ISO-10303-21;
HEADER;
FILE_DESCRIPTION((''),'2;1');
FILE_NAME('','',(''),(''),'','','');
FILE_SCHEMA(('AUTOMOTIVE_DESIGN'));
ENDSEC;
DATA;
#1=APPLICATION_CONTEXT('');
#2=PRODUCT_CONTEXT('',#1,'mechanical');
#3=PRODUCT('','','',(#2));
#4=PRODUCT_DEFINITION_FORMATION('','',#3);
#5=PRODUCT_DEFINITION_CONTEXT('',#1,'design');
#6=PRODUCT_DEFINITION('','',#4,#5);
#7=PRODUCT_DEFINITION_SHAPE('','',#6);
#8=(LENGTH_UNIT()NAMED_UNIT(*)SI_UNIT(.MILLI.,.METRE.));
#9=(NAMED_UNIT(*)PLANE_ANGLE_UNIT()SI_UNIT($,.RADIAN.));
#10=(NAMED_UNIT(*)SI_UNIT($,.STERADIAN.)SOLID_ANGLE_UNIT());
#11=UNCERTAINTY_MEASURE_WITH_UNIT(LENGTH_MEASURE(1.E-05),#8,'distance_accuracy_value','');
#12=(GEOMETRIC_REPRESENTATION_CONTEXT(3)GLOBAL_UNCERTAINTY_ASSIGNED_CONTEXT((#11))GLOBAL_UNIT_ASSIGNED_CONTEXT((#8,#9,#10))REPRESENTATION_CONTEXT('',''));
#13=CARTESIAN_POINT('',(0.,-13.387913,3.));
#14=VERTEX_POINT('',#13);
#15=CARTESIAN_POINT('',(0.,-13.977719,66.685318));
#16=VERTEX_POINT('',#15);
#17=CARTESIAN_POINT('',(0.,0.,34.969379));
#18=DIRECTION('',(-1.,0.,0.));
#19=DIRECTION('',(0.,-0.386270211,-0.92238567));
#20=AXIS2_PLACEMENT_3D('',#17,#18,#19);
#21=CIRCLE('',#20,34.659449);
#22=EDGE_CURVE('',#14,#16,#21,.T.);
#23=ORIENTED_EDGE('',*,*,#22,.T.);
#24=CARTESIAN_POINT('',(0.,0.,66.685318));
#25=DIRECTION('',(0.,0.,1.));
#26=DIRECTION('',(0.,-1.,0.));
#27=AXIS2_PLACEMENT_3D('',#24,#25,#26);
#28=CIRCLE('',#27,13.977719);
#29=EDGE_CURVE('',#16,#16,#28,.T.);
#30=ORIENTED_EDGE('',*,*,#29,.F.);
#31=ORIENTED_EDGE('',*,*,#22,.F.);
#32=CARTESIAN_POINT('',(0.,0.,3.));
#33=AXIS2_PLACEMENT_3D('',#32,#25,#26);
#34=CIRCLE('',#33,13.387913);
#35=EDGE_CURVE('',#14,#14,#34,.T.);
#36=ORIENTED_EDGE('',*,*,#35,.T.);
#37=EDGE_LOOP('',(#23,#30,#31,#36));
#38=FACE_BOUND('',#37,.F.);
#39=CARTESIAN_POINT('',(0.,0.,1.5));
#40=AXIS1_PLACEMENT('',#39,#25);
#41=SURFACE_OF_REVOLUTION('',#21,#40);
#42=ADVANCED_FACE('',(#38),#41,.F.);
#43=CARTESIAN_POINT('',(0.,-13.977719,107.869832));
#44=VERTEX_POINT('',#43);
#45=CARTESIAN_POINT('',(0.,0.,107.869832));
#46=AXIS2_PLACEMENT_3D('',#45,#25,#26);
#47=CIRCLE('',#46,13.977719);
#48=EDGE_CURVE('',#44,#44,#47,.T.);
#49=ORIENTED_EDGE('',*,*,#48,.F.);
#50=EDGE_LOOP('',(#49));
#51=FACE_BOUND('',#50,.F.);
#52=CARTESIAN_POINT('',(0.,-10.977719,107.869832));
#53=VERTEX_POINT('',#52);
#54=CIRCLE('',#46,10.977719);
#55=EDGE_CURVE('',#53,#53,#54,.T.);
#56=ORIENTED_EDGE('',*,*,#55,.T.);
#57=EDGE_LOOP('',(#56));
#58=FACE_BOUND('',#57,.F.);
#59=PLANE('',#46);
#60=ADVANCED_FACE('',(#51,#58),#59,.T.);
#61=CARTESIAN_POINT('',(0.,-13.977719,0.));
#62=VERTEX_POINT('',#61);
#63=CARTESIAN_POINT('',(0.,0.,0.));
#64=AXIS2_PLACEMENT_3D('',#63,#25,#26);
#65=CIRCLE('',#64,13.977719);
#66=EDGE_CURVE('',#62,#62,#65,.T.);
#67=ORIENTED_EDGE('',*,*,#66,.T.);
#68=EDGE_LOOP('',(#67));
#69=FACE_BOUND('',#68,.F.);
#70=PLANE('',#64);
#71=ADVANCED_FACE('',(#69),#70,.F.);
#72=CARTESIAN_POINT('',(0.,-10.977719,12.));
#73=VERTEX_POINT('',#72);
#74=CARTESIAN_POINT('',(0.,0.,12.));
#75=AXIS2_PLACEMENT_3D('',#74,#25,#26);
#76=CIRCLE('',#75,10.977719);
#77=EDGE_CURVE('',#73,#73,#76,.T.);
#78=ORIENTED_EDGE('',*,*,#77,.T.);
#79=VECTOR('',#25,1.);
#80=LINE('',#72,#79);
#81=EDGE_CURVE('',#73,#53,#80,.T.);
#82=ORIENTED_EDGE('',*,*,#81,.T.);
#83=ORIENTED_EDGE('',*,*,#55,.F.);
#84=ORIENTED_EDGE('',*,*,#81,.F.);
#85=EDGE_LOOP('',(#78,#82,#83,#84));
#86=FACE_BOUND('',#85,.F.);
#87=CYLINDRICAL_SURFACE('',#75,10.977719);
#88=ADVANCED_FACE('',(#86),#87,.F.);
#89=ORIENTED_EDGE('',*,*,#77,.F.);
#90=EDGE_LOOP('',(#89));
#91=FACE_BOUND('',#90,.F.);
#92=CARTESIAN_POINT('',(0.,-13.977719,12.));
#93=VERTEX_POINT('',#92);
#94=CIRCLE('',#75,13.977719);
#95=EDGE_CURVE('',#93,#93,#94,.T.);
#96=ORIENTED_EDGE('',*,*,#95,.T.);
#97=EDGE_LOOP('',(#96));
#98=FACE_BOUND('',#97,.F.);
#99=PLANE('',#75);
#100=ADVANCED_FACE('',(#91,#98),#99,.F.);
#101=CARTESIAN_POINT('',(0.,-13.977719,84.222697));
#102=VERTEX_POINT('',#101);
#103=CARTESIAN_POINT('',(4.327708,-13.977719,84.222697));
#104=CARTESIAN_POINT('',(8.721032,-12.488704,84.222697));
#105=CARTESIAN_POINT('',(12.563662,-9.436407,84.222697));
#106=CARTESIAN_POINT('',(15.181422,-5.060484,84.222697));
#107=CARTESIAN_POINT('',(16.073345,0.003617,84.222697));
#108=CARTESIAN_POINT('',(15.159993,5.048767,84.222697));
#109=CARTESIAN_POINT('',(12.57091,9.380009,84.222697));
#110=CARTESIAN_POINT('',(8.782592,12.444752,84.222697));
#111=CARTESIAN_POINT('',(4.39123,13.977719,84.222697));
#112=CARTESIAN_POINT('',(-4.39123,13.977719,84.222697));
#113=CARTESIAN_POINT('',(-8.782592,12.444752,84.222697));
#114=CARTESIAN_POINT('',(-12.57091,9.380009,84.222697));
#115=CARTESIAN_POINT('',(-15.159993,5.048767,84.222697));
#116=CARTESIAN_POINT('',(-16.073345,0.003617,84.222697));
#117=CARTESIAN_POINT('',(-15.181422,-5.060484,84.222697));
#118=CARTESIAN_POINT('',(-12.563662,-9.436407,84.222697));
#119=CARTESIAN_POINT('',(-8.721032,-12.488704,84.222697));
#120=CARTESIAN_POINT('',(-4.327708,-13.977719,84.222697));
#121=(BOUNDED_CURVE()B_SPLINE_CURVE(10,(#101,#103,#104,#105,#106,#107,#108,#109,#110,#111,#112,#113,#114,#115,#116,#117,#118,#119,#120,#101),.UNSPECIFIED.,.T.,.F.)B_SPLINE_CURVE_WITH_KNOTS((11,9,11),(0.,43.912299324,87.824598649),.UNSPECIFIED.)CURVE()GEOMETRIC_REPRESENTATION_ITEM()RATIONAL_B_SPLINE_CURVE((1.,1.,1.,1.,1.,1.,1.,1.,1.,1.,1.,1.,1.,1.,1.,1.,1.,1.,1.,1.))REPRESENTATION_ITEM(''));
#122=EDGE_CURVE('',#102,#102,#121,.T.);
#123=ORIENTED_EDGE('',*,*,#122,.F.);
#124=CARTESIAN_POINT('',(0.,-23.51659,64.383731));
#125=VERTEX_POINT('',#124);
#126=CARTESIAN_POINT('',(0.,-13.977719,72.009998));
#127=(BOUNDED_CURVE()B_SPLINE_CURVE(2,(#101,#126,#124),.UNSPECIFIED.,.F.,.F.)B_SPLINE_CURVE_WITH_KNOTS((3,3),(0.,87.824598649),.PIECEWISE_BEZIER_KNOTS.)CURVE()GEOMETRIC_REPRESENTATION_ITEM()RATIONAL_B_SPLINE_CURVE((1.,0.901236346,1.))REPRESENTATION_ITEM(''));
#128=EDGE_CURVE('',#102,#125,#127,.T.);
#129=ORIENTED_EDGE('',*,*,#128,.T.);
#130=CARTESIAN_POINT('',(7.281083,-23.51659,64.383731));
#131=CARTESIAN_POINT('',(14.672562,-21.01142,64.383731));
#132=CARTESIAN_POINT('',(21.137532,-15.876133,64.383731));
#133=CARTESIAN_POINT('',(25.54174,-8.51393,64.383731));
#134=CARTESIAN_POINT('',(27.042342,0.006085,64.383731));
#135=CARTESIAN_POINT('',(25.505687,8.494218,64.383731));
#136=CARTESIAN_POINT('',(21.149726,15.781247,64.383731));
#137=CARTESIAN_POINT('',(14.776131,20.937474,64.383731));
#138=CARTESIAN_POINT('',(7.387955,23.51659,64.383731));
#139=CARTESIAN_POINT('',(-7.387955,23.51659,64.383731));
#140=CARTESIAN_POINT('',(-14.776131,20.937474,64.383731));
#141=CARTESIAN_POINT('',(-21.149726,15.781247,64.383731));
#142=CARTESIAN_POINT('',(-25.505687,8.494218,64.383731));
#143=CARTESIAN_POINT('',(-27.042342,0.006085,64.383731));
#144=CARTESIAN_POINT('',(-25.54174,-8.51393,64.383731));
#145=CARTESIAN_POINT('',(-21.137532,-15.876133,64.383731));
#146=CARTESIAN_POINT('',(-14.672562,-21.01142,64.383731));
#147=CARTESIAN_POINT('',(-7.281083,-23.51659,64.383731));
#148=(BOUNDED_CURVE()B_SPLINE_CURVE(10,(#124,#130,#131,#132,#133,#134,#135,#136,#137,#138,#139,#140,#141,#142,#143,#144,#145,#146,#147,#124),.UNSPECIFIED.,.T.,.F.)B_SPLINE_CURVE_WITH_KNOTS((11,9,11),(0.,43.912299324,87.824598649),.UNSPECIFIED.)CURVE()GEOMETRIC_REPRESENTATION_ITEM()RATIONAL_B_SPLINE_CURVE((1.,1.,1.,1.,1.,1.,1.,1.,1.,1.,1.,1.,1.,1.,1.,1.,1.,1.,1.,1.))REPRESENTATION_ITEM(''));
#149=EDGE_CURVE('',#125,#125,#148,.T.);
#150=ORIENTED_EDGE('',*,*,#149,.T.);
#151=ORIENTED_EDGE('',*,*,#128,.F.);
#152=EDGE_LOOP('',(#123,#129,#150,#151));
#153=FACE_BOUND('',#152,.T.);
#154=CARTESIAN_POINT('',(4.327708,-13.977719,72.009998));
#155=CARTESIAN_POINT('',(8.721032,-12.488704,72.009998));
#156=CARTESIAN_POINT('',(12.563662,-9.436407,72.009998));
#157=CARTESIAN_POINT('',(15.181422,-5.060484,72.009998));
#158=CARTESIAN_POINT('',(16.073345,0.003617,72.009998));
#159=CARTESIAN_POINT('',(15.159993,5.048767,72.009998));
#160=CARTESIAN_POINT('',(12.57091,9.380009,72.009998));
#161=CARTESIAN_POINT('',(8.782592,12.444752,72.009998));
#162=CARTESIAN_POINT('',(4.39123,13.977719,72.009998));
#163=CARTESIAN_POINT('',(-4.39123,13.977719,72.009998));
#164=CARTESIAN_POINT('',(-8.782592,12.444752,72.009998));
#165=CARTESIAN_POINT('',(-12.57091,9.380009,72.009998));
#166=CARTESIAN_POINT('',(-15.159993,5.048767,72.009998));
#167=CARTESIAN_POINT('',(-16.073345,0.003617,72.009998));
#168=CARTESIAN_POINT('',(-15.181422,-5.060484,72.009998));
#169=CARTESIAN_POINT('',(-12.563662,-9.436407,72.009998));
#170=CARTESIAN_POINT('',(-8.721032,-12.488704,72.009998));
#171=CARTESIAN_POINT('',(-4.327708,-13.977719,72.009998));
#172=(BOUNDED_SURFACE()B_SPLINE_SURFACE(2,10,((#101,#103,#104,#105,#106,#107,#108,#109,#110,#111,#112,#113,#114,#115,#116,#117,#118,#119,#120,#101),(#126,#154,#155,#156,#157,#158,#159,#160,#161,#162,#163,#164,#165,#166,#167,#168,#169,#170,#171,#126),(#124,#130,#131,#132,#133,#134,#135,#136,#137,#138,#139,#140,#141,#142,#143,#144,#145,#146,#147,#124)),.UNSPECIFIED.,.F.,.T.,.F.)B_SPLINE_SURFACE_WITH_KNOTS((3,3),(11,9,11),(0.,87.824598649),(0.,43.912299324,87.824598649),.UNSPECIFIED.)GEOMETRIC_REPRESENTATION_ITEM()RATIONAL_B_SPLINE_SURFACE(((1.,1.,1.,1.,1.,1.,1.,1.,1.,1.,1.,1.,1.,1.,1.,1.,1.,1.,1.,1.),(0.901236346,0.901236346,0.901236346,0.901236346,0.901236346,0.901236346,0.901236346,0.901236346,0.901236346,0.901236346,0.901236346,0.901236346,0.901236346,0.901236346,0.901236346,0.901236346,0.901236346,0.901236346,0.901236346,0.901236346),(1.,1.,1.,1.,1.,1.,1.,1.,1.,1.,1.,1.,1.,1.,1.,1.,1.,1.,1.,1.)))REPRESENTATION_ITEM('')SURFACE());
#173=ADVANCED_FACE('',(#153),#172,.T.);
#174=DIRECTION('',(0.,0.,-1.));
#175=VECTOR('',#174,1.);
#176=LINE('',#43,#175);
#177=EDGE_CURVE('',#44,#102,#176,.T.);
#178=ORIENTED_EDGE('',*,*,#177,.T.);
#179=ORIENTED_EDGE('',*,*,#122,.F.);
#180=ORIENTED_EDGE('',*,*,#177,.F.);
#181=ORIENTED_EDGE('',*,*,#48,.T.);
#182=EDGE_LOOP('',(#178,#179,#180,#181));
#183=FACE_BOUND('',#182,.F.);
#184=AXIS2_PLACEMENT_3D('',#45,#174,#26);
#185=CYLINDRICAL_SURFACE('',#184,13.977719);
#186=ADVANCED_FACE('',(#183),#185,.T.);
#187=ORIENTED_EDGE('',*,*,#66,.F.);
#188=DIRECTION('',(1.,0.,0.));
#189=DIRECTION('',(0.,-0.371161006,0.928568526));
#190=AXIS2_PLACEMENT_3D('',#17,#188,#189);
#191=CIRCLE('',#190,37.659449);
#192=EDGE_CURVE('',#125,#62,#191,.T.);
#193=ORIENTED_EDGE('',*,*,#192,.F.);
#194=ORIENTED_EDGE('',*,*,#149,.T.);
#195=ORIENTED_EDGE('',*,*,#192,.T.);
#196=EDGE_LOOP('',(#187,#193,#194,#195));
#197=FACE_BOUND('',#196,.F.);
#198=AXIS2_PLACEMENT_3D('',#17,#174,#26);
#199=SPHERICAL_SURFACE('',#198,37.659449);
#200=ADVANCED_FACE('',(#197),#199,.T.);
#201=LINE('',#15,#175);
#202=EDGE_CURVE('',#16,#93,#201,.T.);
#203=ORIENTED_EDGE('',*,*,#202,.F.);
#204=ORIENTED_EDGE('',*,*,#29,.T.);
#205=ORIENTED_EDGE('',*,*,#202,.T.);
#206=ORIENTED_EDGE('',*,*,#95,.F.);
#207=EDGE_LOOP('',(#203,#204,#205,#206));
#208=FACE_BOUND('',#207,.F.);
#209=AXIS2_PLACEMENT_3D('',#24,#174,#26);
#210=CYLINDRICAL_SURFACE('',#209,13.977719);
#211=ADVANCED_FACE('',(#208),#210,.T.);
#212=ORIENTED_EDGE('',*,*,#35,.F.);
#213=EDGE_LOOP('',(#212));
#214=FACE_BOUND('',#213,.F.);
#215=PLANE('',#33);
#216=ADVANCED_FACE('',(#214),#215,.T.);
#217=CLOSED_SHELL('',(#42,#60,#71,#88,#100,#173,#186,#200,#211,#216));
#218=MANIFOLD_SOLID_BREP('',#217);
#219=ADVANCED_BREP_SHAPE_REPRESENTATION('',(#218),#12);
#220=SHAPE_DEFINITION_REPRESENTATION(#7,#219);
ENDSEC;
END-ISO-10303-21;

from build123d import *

# Parameters (mm, degrees)
F2_R = 25.4


with BuildPart() as f1:
    # F0 (on Right) → F1 (revolve)
    with BuildSketch(Plane.YZ):
        with BuildLine():
            Line((-13.977719, 0), (0, 0))
            Line((0, 0), (0, 3))
            Line((0, 3), (-13.387913, 3))
            ThreePointArc((-13.387913, 3), (-34.657963, 34.648403), (-13.977719, 66.685318))
            Line((-13.977719, 66.685318), (-13.977719, 12))
            Line((-13.977719, 12), (-10.977719, 12))
            Line((-10.977719, 12), (-10.977719, 107.869832))
            Line((-10.977719, 107.869832), (-13.977719, 107.869832))
            Line((-13.977719, 107.869832), (-13.977719, 69.938758))
            ThreePointArc((-13.977719, 69.938758), (-37.659449, 34.969379), (-13.977719, 0))
        make_face()
    revolve(axis=Axis((0, 0, 1.5), (0, 0, 1)))

    # F2
    f2_edges = [f1.edges().sort_by_distance(p)[0] for p in [
        (0, 13.977719, 69.938758),
    ]]
    fillet(f2_edges, radius=F2_R)


solid = f1.part
